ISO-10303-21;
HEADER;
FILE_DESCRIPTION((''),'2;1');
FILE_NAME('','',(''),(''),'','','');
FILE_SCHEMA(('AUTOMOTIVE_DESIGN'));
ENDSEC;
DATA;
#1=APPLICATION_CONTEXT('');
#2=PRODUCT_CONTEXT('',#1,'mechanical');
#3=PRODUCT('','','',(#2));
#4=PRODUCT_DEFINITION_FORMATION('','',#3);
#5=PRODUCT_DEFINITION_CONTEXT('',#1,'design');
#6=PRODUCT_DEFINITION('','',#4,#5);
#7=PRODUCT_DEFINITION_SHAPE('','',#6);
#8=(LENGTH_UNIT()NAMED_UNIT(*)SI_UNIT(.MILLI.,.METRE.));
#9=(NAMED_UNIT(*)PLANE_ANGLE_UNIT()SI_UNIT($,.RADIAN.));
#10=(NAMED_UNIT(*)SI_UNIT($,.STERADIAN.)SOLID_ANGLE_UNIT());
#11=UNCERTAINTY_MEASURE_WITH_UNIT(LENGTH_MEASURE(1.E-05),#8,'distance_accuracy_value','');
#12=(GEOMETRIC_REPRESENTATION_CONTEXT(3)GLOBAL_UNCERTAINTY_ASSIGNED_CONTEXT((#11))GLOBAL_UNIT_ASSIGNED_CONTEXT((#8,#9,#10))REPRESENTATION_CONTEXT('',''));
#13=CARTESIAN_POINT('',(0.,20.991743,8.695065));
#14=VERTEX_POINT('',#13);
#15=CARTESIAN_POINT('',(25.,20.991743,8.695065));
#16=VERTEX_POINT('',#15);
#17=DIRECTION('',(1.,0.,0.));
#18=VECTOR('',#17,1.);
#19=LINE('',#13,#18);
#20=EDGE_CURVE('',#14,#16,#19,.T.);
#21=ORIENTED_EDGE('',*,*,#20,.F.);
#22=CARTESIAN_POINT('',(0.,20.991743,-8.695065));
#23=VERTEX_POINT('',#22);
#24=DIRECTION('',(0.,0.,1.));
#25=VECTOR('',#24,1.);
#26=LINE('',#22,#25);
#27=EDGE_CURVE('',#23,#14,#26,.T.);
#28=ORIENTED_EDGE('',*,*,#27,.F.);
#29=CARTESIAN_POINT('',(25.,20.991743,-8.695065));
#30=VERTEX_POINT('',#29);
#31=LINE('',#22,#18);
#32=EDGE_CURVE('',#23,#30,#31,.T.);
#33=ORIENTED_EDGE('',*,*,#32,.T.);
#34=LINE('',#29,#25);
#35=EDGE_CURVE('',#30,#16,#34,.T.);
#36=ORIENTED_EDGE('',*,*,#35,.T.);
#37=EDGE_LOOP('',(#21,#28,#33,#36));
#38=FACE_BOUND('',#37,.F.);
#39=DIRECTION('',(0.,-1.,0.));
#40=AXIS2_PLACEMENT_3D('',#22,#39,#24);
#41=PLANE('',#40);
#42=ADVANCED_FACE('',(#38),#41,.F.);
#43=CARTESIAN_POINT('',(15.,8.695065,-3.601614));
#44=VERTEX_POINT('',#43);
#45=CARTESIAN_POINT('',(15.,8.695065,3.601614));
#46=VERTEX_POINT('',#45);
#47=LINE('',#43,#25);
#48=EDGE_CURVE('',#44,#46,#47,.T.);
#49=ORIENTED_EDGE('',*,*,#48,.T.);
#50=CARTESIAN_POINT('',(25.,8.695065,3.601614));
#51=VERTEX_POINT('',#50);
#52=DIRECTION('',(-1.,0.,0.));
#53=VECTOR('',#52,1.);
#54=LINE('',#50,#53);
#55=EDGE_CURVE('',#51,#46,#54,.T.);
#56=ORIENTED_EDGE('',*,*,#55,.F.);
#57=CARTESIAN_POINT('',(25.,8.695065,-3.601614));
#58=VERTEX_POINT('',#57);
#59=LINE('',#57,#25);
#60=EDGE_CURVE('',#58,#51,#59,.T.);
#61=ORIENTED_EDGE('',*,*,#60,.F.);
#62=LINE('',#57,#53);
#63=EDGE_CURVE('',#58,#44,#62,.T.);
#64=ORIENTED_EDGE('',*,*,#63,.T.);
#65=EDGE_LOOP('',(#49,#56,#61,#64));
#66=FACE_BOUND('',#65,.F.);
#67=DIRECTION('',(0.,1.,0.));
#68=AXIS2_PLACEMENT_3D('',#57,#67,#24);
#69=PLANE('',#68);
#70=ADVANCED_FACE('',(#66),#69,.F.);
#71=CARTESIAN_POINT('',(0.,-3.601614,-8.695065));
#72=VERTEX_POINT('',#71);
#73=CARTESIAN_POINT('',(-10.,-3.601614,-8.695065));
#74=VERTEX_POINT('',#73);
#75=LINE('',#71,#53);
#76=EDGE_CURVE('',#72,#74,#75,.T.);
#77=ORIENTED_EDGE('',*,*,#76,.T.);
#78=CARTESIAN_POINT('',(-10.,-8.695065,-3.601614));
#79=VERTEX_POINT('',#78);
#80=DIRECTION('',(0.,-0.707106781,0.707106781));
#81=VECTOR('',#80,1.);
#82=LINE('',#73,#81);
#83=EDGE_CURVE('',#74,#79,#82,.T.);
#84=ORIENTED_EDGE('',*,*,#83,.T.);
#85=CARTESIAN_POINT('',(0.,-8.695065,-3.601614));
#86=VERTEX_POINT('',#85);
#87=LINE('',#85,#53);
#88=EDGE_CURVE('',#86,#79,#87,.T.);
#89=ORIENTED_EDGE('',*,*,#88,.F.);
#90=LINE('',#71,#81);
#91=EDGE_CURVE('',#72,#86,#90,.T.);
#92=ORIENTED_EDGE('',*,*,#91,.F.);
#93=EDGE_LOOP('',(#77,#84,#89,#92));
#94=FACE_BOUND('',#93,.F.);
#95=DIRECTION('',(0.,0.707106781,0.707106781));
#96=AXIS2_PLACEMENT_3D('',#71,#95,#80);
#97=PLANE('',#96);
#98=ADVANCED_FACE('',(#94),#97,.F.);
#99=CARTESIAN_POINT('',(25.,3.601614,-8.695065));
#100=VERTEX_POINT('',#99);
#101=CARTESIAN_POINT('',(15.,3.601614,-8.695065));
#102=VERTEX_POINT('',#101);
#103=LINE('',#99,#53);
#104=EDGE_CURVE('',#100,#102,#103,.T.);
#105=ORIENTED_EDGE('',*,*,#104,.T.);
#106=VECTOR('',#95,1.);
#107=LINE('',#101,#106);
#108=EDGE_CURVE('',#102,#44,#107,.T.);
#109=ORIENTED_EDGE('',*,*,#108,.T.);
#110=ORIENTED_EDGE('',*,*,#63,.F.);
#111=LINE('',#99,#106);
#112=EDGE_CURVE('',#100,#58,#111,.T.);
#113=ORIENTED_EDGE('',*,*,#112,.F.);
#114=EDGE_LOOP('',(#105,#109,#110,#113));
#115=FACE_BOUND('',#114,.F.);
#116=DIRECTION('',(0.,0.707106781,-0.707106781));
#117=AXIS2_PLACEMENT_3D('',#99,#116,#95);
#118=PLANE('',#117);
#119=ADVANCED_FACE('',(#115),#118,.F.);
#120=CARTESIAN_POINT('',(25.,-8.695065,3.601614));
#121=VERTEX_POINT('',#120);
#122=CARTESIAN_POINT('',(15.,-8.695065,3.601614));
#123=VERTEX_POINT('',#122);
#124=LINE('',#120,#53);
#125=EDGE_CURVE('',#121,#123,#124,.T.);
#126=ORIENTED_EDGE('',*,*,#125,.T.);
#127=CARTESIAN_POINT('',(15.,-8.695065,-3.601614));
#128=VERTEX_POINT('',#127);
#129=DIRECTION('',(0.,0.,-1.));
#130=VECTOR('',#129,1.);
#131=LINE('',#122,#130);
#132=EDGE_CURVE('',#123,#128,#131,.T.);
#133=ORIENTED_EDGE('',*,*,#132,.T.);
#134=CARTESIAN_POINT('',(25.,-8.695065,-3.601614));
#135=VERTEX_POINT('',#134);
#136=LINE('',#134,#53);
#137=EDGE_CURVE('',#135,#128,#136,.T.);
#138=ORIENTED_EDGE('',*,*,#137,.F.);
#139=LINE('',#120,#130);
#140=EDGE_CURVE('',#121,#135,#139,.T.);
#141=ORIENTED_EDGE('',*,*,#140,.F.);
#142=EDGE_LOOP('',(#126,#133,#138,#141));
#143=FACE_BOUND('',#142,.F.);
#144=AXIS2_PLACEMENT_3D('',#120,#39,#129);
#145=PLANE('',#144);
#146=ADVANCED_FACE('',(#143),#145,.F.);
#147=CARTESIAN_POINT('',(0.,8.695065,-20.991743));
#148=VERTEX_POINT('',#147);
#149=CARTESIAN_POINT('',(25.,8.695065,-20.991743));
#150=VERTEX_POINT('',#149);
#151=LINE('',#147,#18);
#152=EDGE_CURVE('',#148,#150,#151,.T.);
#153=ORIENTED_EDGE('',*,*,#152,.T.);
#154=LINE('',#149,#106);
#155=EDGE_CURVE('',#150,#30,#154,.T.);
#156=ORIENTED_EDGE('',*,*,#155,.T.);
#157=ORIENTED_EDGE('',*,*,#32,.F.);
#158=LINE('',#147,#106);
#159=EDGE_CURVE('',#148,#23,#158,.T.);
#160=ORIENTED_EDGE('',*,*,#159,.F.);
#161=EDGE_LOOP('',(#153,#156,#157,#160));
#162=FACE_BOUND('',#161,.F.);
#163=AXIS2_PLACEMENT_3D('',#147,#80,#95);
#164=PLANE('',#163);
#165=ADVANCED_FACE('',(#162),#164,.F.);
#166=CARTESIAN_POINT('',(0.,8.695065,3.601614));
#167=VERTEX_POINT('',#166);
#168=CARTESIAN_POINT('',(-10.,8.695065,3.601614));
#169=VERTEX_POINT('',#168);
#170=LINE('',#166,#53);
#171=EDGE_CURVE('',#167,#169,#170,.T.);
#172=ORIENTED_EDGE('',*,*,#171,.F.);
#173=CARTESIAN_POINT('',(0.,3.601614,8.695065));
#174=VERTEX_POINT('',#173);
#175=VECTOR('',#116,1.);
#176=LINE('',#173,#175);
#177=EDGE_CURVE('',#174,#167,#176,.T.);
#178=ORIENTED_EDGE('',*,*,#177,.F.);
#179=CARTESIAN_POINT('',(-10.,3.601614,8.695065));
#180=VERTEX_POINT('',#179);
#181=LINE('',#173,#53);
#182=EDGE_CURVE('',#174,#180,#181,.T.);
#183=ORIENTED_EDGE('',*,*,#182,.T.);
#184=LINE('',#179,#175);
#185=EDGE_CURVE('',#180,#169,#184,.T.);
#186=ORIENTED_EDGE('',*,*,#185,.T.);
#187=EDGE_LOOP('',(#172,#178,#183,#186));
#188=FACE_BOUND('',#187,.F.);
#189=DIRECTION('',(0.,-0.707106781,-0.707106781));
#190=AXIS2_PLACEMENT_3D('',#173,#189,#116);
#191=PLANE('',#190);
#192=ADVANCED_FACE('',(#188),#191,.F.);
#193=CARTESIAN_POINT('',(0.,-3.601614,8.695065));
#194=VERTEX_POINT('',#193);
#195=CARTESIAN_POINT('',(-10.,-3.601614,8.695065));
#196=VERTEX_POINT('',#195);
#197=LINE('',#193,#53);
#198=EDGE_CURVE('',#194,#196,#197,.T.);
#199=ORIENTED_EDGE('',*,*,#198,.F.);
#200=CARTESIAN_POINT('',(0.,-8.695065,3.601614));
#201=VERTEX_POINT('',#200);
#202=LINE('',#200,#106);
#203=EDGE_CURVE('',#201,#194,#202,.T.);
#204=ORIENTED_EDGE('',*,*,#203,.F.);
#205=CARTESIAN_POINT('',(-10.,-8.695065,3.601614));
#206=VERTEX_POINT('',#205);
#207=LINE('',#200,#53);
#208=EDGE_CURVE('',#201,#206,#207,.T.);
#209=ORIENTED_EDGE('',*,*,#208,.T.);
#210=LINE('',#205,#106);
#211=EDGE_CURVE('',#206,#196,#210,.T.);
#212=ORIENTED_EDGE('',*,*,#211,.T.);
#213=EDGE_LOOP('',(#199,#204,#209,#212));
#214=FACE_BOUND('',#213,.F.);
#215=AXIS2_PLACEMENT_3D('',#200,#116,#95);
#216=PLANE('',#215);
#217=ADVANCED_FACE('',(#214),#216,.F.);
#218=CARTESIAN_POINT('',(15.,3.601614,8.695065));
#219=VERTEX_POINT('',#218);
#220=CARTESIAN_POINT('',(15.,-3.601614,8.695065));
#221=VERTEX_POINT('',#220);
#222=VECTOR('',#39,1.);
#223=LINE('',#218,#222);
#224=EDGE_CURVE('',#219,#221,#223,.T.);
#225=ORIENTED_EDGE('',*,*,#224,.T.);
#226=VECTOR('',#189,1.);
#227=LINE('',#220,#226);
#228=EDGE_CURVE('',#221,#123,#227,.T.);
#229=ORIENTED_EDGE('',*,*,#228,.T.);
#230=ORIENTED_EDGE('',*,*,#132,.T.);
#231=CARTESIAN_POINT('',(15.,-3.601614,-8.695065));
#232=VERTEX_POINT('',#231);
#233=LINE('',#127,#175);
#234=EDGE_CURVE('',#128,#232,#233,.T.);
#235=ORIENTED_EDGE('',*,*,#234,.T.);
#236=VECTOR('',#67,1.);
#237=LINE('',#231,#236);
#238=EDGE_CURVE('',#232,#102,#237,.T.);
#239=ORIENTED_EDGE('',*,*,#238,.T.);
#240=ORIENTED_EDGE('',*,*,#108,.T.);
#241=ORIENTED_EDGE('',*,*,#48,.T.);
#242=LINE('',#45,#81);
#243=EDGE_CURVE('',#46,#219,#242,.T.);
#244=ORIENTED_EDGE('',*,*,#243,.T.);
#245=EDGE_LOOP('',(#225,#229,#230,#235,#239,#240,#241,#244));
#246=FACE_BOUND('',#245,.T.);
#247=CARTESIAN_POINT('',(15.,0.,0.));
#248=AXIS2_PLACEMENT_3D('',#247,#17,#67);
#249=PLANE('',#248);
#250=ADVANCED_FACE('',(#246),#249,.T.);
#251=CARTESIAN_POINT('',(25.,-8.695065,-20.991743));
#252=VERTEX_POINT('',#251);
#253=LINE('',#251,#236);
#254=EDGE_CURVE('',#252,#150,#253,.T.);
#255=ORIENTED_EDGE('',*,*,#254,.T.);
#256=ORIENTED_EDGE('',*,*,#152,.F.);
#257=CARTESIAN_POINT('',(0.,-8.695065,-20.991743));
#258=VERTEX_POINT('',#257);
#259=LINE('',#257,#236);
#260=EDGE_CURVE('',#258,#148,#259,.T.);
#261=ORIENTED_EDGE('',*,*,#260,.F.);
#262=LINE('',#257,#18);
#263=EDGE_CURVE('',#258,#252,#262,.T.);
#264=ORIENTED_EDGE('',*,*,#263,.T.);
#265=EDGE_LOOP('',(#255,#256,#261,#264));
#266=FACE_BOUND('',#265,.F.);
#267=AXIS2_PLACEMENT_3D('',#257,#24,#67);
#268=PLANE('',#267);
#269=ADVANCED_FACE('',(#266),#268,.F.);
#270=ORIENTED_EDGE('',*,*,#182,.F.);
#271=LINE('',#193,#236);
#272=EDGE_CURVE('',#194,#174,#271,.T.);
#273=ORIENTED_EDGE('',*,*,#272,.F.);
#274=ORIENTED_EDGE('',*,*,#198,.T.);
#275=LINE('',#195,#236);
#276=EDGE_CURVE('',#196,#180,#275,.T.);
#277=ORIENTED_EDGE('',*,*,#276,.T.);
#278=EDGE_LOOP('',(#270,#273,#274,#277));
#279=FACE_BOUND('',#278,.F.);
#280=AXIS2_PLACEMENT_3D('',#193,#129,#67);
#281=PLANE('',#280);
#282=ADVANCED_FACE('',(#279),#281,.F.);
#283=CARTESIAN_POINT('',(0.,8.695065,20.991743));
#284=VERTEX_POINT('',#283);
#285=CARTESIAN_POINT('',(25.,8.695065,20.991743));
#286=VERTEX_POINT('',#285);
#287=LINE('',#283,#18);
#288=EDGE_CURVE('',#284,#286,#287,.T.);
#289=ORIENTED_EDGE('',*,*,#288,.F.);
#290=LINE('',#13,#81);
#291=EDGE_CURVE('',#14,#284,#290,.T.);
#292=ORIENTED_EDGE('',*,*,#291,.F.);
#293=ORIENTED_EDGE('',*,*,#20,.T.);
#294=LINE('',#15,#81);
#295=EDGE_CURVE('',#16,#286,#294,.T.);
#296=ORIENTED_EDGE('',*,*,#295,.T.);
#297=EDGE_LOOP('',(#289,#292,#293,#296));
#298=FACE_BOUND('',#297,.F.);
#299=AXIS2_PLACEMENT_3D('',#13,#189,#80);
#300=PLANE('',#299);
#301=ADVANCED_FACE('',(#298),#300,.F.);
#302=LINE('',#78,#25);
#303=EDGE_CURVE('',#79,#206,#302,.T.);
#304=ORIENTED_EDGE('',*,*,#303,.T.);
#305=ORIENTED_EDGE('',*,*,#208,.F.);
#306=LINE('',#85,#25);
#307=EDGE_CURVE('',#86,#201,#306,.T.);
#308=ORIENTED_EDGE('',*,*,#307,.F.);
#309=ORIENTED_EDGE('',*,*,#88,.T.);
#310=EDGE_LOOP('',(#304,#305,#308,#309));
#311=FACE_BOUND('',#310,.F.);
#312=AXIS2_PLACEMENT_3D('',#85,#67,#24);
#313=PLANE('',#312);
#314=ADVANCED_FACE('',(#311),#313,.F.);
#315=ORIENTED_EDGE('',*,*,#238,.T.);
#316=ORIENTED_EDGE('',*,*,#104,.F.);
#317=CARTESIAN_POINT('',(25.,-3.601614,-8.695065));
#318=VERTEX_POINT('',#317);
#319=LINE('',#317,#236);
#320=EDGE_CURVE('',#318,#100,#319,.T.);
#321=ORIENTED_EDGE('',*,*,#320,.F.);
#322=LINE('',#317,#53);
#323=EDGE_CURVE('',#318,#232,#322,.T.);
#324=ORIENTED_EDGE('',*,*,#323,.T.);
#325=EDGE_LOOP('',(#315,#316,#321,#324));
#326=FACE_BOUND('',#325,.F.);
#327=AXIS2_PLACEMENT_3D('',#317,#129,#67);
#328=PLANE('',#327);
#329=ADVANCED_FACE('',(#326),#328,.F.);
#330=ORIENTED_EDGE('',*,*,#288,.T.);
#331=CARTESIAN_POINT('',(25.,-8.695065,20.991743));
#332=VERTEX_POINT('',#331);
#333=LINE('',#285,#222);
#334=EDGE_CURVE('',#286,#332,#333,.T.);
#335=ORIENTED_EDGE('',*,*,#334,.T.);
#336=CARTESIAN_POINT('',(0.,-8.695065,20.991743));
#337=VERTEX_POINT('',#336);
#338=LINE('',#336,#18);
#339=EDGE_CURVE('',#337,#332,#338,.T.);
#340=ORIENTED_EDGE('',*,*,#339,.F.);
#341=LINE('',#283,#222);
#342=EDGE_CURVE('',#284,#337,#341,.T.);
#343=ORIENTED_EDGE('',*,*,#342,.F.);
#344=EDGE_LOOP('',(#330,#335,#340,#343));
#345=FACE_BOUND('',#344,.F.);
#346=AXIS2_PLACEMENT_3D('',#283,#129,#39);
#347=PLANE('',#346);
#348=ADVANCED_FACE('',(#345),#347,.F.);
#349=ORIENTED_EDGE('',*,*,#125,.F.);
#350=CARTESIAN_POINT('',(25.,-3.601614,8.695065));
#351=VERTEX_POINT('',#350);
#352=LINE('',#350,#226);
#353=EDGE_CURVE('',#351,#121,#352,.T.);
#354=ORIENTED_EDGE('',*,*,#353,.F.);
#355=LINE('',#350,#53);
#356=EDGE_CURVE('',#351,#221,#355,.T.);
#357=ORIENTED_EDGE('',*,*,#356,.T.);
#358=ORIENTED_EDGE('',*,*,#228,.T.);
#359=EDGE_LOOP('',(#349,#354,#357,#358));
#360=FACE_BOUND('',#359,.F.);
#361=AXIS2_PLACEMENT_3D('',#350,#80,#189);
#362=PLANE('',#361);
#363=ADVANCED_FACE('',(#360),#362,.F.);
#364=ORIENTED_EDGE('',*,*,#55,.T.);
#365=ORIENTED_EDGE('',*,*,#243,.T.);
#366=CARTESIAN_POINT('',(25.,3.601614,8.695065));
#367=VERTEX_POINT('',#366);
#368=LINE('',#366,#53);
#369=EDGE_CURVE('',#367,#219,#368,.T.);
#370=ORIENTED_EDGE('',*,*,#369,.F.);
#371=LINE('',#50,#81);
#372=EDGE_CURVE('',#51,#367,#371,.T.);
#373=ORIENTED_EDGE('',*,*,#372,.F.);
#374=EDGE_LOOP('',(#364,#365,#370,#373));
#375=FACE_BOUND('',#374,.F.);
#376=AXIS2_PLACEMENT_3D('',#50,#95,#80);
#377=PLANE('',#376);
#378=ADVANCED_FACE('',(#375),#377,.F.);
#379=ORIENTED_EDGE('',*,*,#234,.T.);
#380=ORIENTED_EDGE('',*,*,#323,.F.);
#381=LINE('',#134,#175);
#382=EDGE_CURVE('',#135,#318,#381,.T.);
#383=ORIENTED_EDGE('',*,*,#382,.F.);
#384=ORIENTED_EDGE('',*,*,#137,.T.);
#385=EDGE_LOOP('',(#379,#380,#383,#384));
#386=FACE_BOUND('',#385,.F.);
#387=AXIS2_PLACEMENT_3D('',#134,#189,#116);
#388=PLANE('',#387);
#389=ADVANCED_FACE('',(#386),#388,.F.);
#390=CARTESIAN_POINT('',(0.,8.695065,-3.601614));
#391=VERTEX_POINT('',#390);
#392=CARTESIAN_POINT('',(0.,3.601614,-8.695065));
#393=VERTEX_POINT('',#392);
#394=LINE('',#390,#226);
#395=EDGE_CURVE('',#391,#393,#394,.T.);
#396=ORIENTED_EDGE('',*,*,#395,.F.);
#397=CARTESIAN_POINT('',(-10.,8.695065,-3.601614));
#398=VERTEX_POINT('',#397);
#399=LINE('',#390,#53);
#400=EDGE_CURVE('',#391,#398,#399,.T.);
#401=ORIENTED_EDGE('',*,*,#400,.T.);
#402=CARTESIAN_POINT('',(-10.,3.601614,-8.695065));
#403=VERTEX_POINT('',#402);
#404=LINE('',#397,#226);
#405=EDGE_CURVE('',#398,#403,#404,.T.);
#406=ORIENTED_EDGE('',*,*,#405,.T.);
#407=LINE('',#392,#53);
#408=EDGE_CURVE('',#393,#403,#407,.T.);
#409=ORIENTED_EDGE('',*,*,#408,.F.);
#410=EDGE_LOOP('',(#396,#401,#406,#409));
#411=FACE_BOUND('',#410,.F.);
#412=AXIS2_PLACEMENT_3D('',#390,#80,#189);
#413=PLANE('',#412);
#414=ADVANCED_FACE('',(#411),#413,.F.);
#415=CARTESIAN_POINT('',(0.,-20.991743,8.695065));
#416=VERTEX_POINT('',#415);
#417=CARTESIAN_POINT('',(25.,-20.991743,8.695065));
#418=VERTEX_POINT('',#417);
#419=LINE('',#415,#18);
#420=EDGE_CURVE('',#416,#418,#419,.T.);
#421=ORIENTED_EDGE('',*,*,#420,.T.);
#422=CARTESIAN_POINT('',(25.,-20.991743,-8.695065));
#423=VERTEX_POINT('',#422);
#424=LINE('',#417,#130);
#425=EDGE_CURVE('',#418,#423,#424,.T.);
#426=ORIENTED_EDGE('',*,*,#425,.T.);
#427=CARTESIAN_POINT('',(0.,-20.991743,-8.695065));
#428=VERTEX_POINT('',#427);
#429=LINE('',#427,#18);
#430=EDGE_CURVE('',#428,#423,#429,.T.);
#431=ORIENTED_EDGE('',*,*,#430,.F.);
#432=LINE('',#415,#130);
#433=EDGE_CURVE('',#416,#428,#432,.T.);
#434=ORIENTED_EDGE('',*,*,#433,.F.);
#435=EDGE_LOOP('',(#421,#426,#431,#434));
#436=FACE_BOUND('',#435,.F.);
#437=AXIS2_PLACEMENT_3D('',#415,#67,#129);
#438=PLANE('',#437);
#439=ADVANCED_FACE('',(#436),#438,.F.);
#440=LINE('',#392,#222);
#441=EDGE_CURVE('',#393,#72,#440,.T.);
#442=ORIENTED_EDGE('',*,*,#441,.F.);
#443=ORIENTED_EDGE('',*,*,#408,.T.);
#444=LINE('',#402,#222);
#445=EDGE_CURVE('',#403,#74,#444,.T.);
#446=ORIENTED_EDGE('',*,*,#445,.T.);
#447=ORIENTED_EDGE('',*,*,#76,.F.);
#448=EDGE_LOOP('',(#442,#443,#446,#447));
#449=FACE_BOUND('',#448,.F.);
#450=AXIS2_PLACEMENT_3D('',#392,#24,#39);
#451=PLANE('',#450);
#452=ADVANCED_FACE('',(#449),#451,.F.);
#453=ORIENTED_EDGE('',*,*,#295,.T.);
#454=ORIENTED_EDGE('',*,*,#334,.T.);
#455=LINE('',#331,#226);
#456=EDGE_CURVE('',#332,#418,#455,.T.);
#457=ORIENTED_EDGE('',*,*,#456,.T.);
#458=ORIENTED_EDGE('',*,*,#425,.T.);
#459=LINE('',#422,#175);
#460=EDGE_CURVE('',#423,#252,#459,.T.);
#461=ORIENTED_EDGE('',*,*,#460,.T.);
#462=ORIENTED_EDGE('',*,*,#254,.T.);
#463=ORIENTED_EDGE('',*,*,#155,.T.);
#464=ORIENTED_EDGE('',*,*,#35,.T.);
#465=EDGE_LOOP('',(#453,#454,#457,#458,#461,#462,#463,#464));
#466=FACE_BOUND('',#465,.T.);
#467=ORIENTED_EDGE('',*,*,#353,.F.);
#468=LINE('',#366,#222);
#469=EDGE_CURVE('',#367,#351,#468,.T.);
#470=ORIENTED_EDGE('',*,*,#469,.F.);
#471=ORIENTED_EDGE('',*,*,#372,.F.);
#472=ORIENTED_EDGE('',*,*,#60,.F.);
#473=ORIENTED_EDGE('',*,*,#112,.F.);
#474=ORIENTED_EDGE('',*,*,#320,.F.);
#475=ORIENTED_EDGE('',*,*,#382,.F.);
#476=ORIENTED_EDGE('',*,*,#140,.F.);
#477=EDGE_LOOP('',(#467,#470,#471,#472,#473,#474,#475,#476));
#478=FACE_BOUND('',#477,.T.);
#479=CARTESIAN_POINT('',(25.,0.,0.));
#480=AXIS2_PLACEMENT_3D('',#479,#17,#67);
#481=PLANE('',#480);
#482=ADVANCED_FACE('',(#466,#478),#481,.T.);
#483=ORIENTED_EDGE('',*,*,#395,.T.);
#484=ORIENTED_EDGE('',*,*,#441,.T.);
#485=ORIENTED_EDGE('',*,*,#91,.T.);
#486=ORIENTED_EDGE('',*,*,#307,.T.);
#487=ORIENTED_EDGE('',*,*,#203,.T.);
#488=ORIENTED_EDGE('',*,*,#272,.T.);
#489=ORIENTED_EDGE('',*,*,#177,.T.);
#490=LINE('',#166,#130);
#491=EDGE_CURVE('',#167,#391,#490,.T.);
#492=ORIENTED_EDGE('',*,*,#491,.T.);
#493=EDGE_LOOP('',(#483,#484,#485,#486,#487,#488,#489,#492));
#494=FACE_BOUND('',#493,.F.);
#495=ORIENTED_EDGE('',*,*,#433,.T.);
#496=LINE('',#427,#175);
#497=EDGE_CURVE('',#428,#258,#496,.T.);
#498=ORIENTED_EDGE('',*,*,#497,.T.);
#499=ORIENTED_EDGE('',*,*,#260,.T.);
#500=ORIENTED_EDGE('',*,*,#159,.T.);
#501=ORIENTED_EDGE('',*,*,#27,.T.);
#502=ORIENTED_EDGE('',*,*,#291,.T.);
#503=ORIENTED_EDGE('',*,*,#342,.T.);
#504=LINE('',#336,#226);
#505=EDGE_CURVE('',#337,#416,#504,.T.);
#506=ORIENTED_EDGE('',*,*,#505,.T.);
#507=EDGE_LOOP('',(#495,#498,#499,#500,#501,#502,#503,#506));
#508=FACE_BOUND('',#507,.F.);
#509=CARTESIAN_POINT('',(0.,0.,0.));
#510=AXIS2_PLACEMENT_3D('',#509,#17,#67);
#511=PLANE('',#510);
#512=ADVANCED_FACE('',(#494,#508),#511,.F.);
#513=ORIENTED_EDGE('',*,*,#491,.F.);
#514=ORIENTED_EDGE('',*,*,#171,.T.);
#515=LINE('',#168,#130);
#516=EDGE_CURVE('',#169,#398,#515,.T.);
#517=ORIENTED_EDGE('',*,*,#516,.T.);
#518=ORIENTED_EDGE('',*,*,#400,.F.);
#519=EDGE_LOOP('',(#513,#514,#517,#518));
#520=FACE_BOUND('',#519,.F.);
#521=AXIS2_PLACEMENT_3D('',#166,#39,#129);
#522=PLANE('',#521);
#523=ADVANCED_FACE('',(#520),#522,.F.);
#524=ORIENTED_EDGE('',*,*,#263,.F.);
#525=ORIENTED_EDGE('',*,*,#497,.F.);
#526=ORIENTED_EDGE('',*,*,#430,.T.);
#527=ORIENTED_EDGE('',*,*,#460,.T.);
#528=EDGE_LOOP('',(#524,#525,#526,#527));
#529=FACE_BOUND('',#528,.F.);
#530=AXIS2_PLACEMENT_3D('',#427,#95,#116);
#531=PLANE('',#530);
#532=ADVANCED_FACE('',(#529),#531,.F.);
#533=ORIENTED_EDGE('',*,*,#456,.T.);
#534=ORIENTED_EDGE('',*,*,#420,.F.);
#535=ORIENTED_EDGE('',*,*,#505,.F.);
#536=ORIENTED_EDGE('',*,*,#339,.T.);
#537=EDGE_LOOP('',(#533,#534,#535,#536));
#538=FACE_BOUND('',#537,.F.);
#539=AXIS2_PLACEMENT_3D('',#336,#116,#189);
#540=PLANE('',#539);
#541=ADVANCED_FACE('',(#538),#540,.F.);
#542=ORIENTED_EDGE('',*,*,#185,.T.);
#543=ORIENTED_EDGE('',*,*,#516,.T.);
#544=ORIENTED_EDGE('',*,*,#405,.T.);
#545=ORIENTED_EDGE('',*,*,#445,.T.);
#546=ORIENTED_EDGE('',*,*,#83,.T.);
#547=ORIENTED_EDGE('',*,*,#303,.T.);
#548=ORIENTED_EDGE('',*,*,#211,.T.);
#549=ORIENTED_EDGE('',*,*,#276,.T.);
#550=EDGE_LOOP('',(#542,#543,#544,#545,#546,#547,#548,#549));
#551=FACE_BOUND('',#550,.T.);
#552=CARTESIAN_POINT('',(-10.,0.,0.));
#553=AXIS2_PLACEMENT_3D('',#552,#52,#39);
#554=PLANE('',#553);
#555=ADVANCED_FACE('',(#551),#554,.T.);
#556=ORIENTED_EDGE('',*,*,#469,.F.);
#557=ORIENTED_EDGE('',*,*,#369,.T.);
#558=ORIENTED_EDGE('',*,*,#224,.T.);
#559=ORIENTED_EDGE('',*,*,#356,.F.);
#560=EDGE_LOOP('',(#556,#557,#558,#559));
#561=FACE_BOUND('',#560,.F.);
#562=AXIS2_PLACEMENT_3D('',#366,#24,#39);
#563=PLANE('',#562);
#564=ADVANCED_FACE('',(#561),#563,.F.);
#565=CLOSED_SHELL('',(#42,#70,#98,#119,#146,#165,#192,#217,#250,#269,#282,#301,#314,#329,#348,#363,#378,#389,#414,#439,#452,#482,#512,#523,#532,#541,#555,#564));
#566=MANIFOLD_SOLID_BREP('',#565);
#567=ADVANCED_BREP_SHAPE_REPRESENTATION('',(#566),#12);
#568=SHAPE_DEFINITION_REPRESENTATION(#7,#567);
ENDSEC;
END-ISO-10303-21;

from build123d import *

# Parameters (mm, degrees)
F1_DEPTH = 25
F3_DEPTH = 10
F5_DEPTH = 10


with BuildPart() as f1:
    # F0 (on Right) → F1 (new body)
    with BuildSketch(Plane.YZ):
        Polygon((8.695065, -20.991743), (20.991743, -8.695065), (20.991743, 8.695065), (8.695065, 20.991743), (-8.695065, 20.991743), (-20.991743, 8.695065), (-20.991743, -8.695065), (-8.695065, -20.991743), align=None)
    extrude(amount=F1_DEPTH)

    # F2 (on face) → F3 (join)
    with BuildSketch(Plane(origin=(0, 0, 0), x_dir=(0, -1, 0), z_dir=(-1, 0, 0))):
        Polygon((-3.601614, 8.695065), (-8.695065, 3.601614), (-8.695065, -3.601614), (-3.601614, -8.695065), (3.601614, -8.695065), (8.695065, -3.601614), (8.695065, 3.601614), (3.601614, 8.695065), align=None)
    extrude(amount=F3_DEPTH)

    # F4 (on face) → F5 (cut)
    with BuildSketch(Plane.YZ.offset(25)):
        Polygon((-3.601614, 8.695065), (-8.695065, 3.601614), (-8.695065, -3.601614), (-3.601614, -8.695065), (3.601614, -8.695065), (8.695065, -3.601614), (8.695065, 3.601614), (3.601614, 8.695065), align=None)
    extrude(amount=-F5_DEPTH, mode=Mode.SUBTRACT)


solid = f1.part
